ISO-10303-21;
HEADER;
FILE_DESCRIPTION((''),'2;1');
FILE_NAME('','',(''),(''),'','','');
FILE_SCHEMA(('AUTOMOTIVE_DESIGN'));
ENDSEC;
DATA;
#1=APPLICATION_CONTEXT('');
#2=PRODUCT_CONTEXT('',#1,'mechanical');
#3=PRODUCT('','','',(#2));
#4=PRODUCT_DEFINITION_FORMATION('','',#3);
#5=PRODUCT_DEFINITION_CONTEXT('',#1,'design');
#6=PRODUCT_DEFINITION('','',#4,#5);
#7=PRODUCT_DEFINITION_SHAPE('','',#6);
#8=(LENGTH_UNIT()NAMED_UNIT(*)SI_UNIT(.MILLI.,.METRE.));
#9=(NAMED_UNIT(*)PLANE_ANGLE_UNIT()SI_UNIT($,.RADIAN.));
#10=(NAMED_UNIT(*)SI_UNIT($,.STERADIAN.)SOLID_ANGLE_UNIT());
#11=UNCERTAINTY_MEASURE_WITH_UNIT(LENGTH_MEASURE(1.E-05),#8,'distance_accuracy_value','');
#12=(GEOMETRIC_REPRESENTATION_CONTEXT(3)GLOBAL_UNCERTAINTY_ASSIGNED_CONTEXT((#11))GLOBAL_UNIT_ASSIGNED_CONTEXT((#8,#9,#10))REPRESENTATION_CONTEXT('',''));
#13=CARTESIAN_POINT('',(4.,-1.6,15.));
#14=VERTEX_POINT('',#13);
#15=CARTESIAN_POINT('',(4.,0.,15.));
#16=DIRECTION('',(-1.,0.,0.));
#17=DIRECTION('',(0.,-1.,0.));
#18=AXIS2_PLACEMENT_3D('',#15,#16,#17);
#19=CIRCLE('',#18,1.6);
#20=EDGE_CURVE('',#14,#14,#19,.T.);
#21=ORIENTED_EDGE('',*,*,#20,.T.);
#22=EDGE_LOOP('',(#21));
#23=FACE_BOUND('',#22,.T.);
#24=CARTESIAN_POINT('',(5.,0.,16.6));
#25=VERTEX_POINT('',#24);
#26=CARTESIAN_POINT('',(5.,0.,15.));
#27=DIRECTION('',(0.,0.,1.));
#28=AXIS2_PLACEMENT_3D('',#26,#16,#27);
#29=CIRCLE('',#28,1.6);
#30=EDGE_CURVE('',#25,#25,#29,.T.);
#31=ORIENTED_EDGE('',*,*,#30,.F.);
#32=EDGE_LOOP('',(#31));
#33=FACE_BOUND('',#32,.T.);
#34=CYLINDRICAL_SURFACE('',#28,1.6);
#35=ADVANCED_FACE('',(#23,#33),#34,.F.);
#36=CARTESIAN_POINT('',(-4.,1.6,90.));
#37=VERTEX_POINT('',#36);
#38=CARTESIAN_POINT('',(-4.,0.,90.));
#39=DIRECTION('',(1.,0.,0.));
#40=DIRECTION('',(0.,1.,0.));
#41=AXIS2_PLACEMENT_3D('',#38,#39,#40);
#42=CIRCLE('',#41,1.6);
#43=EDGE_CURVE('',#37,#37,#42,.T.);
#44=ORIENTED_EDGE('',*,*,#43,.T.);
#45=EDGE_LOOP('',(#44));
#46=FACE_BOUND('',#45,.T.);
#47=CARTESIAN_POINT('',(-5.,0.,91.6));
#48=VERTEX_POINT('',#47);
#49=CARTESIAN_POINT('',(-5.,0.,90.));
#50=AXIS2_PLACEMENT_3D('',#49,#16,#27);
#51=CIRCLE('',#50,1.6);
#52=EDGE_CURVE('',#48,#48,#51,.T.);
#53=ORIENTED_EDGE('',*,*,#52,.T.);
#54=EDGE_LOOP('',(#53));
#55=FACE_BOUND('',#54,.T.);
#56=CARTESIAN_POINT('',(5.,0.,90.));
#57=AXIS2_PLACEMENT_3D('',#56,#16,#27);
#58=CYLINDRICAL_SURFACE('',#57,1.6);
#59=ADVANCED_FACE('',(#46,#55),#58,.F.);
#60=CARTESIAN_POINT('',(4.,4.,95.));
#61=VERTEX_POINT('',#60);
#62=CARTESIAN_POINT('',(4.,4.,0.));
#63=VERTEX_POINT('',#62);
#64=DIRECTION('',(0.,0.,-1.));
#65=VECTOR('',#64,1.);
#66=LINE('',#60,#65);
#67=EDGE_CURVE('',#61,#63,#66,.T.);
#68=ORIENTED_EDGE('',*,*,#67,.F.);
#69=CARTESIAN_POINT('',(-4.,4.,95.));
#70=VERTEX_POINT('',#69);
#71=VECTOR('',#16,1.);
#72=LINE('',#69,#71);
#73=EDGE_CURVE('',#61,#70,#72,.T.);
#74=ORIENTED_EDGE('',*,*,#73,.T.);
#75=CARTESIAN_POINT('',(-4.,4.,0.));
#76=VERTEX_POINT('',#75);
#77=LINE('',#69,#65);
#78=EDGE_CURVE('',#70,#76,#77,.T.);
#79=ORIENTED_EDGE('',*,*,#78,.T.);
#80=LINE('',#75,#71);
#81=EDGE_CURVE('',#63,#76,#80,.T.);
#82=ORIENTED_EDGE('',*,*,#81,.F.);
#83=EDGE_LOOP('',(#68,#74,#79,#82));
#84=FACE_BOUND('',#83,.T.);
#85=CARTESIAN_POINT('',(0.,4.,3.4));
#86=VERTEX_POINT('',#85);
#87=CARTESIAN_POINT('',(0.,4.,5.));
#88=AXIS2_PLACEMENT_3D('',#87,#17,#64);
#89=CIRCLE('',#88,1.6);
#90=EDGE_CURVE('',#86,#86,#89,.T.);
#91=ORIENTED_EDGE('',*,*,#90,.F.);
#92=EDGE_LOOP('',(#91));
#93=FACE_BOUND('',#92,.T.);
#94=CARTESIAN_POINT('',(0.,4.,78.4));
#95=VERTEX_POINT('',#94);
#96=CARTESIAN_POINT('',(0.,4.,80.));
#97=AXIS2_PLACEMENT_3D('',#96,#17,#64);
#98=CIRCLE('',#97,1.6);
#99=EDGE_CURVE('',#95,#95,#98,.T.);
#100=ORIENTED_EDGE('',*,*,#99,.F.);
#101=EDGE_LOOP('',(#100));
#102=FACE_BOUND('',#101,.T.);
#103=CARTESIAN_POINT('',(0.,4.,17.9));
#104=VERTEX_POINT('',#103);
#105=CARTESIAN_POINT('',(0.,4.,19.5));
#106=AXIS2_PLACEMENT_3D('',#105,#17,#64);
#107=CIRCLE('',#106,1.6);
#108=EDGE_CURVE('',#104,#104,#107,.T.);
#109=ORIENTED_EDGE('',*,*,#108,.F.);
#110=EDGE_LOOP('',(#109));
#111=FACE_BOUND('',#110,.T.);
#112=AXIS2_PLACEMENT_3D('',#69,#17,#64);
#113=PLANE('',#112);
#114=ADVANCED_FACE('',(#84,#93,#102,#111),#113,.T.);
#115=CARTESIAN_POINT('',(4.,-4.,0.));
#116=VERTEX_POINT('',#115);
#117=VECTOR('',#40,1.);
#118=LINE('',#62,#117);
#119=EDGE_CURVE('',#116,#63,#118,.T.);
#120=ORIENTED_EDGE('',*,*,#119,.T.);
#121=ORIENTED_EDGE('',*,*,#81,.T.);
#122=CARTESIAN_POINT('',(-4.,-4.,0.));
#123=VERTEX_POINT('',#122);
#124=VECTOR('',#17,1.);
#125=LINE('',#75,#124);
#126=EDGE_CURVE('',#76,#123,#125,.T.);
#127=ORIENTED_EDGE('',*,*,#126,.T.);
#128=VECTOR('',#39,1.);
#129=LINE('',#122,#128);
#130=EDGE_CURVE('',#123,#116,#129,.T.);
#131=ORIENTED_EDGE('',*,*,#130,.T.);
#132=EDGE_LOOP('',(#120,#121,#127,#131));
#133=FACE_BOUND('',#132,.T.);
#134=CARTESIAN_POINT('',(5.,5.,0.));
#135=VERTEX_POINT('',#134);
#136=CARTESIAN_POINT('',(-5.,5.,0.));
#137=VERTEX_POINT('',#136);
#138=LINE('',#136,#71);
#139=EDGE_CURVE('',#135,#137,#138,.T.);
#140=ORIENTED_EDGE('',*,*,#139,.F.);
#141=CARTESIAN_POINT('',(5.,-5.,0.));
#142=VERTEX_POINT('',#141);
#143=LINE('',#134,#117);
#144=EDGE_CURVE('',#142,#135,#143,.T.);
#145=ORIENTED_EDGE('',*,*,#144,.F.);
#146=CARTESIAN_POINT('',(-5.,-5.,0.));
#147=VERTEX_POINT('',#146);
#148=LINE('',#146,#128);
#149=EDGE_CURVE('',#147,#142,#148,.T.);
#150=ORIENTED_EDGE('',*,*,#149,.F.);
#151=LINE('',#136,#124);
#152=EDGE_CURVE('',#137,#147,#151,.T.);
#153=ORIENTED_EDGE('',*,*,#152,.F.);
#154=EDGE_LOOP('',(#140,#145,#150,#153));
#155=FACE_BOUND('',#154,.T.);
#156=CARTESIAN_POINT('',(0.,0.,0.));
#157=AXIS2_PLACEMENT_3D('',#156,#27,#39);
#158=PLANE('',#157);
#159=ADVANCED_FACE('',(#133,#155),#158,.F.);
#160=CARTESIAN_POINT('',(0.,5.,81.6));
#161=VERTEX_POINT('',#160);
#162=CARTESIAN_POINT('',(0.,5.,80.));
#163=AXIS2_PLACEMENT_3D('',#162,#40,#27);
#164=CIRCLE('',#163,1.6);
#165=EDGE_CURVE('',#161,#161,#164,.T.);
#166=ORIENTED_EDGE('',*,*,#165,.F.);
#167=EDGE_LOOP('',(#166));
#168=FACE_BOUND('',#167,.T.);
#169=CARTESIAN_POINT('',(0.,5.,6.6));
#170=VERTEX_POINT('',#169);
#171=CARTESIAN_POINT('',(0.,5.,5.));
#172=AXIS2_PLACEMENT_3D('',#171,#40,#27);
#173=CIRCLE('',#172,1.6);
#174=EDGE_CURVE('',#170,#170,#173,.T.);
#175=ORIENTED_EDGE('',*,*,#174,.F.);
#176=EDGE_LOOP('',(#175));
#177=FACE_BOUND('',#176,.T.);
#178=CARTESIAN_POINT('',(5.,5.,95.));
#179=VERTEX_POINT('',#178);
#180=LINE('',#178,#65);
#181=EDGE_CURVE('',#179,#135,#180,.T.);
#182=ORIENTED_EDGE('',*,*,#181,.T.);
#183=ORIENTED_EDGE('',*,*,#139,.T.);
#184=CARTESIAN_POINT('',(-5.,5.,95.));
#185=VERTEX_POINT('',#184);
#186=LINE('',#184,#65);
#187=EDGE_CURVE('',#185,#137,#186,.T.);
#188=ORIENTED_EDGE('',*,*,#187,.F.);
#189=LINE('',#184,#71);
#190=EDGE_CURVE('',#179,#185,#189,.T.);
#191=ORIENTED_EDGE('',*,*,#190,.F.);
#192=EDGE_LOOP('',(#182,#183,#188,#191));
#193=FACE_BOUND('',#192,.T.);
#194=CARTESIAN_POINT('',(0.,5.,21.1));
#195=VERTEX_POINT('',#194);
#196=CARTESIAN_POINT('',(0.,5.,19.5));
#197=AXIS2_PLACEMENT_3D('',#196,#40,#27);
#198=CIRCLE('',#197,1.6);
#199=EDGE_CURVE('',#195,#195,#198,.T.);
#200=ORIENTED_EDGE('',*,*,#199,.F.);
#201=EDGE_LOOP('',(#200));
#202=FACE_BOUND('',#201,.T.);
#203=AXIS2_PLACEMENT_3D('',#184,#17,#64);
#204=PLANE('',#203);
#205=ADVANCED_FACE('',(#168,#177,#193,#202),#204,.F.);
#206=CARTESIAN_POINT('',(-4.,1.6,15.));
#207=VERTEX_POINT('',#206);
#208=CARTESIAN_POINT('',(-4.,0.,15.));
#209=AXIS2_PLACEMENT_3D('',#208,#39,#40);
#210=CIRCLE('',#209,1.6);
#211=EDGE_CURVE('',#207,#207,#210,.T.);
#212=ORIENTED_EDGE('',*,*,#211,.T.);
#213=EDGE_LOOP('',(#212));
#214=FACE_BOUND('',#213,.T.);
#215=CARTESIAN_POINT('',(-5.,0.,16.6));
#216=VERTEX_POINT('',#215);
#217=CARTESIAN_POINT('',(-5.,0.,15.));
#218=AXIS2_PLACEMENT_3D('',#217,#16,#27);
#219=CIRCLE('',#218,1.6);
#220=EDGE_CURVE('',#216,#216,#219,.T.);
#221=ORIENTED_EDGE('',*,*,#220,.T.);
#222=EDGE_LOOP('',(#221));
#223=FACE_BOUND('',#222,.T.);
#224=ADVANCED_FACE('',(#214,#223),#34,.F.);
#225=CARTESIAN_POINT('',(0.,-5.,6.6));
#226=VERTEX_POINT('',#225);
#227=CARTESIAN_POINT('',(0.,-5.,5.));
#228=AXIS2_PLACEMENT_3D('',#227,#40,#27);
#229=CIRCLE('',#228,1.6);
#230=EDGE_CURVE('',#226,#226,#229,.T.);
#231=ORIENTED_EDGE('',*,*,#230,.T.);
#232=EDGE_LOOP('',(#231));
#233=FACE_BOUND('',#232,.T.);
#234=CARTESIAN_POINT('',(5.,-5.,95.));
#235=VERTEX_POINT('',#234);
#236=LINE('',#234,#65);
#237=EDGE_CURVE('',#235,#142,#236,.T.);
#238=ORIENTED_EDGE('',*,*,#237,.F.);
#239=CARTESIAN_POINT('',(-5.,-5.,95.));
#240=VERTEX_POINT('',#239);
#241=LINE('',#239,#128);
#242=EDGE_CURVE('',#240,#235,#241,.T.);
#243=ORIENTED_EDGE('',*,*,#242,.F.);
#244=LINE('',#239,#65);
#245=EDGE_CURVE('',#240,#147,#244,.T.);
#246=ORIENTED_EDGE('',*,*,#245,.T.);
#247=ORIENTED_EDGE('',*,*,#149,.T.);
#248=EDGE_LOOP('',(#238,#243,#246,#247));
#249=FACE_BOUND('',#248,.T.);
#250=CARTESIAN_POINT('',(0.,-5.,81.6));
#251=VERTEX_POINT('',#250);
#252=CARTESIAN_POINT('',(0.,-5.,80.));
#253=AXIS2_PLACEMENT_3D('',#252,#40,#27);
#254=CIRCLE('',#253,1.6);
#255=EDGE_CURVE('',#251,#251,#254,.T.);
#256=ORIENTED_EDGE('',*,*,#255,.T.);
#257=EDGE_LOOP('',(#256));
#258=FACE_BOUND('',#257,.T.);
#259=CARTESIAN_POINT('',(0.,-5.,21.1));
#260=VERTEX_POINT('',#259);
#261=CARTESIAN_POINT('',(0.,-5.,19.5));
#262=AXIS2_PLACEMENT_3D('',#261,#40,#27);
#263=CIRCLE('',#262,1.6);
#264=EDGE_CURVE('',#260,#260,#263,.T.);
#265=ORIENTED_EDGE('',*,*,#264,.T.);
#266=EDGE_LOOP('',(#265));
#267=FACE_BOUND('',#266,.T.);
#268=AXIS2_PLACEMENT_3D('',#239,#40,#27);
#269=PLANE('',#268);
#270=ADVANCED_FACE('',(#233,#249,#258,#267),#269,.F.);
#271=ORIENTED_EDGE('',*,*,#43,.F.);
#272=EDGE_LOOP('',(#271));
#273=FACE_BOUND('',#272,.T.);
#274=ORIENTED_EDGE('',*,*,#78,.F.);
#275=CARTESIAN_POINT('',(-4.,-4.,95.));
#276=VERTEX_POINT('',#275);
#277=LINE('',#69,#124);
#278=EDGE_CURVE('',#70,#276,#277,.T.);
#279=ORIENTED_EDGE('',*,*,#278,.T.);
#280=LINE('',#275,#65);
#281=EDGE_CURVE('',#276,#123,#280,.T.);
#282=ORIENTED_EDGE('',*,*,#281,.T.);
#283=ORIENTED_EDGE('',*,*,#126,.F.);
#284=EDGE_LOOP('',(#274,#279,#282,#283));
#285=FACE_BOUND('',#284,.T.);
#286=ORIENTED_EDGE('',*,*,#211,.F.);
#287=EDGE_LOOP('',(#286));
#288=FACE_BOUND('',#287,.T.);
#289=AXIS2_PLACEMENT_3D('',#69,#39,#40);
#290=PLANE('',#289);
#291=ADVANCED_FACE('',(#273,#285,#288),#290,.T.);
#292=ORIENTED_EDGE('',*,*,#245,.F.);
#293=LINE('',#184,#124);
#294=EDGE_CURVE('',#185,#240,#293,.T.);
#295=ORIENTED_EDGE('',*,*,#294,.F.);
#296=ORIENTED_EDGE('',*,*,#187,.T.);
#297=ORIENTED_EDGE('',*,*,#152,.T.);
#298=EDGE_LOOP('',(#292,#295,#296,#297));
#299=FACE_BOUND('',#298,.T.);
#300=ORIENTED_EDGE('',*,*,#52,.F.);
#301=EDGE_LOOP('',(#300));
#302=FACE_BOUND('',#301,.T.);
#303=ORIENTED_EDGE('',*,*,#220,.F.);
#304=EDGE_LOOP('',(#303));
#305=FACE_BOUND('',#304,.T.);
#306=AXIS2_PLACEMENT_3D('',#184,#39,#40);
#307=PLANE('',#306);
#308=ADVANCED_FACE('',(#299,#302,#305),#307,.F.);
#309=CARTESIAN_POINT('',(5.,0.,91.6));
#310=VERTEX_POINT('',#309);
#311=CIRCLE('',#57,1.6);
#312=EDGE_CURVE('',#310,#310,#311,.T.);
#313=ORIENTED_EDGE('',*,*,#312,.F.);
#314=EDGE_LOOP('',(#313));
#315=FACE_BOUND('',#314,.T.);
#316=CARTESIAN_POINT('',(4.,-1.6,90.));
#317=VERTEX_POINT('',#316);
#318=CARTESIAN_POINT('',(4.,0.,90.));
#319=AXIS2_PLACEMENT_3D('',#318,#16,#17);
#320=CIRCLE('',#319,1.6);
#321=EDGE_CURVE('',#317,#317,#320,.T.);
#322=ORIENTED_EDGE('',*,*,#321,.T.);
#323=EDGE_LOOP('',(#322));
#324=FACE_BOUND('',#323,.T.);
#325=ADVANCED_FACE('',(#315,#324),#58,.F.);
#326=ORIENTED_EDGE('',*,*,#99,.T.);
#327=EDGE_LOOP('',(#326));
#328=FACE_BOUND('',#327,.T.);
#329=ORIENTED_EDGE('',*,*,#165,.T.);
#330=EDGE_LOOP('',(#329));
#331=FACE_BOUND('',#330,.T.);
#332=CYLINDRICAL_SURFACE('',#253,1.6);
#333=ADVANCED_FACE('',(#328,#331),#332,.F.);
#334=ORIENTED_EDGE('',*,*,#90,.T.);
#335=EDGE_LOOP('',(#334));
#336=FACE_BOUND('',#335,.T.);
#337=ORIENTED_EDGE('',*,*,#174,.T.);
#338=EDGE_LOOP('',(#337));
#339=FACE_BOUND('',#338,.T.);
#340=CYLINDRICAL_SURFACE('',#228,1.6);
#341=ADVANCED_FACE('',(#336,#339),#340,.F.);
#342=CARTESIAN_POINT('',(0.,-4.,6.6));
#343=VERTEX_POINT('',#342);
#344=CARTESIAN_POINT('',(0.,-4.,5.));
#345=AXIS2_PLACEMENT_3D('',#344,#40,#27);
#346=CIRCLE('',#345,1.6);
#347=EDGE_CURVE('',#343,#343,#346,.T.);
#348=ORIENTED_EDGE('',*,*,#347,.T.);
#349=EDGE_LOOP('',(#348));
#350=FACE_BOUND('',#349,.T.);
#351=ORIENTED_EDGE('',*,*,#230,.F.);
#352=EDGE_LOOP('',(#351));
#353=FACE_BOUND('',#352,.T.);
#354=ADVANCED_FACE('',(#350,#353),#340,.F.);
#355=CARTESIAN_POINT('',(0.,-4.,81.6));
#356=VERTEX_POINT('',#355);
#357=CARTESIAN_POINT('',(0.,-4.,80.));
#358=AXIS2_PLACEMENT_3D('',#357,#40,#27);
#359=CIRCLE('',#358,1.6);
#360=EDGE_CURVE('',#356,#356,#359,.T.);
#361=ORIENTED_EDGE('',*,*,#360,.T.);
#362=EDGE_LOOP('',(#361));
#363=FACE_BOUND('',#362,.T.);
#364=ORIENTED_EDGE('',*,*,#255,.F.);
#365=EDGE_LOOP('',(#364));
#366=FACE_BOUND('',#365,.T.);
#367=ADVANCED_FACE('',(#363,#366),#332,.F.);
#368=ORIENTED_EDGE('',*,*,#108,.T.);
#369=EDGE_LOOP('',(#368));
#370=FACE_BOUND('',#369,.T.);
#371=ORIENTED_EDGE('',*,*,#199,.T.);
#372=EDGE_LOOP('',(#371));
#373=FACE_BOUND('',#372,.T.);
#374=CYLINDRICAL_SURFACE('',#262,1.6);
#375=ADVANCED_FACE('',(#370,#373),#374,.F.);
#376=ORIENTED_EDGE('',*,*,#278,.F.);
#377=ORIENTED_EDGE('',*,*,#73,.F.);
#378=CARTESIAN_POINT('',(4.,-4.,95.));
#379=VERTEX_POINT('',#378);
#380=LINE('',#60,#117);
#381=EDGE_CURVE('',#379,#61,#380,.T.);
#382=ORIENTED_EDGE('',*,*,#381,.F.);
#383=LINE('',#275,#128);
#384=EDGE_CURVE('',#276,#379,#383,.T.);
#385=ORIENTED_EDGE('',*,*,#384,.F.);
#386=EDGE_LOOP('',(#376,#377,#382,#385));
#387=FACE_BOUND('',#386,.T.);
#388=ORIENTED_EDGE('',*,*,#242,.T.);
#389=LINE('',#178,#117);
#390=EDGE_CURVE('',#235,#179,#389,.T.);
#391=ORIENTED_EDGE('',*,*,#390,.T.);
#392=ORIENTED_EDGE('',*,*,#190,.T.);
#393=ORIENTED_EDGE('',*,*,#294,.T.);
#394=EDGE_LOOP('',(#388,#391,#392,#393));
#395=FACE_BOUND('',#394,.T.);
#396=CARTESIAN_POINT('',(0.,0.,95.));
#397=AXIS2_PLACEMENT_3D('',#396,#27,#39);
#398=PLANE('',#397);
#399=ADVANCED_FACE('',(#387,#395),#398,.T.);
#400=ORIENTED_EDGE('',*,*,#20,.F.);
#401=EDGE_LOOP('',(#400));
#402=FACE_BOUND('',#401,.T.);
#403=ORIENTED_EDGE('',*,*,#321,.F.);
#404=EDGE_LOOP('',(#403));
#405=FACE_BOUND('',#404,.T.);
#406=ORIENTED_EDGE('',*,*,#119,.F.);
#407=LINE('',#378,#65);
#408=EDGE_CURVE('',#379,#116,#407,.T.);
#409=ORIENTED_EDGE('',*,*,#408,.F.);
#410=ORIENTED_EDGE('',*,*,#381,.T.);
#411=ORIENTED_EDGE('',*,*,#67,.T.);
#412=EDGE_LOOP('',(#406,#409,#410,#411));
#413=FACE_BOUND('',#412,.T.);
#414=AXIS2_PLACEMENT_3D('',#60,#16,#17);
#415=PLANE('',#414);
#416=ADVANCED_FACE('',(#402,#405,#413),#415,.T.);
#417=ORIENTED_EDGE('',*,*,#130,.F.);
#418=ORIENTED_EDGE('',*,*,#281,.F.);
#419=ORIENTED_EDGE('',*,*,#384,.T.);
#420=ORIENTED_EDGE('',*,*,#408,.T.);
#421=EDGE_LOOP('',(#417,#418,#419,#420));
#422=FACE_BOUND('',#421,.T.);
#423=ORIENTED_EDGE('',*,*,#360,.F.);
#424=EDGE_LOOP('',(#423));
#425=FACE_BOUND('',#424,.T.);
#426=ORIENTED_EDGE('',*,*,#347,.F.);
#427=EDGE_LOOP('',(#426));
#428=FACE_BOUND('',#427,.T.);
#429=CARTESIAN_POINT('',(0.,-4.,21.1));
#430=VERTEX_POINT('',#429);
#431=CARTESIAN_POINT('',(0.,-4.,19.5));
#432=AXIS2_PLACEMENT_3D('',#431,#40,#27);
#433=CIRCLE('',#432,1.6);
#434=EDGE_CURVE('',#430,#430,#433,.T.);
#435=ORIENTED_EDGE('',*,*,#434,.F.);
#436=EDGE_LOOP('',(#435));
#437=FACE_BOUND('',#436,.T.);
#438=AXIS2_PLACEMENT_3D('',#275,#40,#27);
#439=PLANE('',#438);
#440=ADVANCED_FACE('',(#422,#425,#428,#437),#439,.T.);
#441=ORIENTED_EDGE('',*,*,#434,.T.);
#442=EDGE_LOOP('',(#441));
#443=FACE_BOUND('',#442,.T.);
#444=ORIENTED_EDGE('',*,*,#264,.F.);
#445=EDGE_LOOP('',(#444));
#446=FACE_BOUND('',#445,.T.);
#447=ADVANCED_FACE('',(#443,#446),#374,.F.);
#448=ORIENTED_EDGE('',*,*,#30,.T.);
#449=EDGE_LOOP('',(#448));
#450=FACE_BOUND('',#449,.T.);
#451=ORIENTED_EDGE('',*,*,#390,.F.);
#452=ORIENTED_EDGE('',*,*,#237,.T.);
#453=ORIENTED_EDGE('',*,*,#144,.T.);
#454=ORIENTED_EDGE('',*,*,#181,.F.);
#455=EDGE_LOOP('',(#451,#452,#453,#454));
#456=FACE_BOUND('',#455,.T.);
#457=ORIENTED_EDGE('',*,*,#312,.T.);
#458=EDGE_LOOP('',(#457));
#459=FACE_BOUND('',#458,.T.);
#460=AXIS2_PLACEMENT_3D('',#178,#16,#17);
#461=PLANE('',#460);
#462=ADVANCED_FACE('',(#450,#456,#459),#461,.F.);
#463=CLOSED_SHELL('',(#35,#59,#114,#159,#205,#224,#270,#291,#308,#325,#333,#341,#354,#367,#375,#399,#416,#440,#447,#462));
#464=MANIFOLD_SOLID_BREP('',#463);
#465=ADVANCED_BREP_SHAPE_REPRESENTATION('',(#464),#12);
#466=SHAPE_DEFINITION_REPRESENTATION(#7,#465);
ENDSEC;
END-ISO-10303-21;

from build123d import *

# Parameters (mm, degrees)
SKETCH_1_W          = 10
SKETCH_1_H          = 10
SKETCH_1_W_2        = 8
SKETCH_1_H_2        = 8
EXTRUDE_1_DEPTH     = 95
SKETCH_2_R          = 1.6
CUT_EXTRUDE_1_DEPTH = 96.655632349
SKETCH_3_R          = 1.6
CUT_EXTRUDE_2_DEPTH = 96.655632349


with BuildPart() as part:
    # ｽｹｯﾁ1 → ﾎﾞｽ - 押し出し1 (new body)
    with BuildSketch(Plane.XY):
        Rectangle(SKETCH_1_W, SKETCH_1_H)
        Rectangle(SKETCH_1_W_2, SKETCH_1_H_2, mode=Mode.SUBTRACT)
    extrude(amount=EXTRUDE_1_DEPTH)

    # ｽｹｯﾁ2 → ｶｯﾄ - 押し出し1 (cut, through all)
    with BuildSketch(Plane(origin=(0, 5, 0), x_dir=(1, 0, 0), z_dir=(0, 1, 0))):
        with Locations(Location((0, -5, 0), (0, 0, 270))):
            Circle(SKETCH_2_R)
        with Locations(Location((0, -80, 0), (0, 0, 270))):
            Circle(SKETCH_2_R)
        with Locations(Location((0, -19.5, 0), (0, 0, 270))):
            Circle(SKETCH_2_R)
    extrude(amount=-CUT_EXTRUDE_1_DEPTH, mode=Mode.SUBTRACT)

    # ｽｹｯﾁ3 → ｶｯﾄ - 押し出し2 (cut, through all)
    with BuildSketch(Plane.ZY.offset(5)):
        with Locations((15, 0)):
            Circle(SKETCH_3_R)
        with Locations((90, 0)):
            Circle(SKETCH_3_R)
    extrude(amount=-CUT_EXTRUDE_2_DEPTH, mode=Mode.SUBTRACT)


solid = part.part
